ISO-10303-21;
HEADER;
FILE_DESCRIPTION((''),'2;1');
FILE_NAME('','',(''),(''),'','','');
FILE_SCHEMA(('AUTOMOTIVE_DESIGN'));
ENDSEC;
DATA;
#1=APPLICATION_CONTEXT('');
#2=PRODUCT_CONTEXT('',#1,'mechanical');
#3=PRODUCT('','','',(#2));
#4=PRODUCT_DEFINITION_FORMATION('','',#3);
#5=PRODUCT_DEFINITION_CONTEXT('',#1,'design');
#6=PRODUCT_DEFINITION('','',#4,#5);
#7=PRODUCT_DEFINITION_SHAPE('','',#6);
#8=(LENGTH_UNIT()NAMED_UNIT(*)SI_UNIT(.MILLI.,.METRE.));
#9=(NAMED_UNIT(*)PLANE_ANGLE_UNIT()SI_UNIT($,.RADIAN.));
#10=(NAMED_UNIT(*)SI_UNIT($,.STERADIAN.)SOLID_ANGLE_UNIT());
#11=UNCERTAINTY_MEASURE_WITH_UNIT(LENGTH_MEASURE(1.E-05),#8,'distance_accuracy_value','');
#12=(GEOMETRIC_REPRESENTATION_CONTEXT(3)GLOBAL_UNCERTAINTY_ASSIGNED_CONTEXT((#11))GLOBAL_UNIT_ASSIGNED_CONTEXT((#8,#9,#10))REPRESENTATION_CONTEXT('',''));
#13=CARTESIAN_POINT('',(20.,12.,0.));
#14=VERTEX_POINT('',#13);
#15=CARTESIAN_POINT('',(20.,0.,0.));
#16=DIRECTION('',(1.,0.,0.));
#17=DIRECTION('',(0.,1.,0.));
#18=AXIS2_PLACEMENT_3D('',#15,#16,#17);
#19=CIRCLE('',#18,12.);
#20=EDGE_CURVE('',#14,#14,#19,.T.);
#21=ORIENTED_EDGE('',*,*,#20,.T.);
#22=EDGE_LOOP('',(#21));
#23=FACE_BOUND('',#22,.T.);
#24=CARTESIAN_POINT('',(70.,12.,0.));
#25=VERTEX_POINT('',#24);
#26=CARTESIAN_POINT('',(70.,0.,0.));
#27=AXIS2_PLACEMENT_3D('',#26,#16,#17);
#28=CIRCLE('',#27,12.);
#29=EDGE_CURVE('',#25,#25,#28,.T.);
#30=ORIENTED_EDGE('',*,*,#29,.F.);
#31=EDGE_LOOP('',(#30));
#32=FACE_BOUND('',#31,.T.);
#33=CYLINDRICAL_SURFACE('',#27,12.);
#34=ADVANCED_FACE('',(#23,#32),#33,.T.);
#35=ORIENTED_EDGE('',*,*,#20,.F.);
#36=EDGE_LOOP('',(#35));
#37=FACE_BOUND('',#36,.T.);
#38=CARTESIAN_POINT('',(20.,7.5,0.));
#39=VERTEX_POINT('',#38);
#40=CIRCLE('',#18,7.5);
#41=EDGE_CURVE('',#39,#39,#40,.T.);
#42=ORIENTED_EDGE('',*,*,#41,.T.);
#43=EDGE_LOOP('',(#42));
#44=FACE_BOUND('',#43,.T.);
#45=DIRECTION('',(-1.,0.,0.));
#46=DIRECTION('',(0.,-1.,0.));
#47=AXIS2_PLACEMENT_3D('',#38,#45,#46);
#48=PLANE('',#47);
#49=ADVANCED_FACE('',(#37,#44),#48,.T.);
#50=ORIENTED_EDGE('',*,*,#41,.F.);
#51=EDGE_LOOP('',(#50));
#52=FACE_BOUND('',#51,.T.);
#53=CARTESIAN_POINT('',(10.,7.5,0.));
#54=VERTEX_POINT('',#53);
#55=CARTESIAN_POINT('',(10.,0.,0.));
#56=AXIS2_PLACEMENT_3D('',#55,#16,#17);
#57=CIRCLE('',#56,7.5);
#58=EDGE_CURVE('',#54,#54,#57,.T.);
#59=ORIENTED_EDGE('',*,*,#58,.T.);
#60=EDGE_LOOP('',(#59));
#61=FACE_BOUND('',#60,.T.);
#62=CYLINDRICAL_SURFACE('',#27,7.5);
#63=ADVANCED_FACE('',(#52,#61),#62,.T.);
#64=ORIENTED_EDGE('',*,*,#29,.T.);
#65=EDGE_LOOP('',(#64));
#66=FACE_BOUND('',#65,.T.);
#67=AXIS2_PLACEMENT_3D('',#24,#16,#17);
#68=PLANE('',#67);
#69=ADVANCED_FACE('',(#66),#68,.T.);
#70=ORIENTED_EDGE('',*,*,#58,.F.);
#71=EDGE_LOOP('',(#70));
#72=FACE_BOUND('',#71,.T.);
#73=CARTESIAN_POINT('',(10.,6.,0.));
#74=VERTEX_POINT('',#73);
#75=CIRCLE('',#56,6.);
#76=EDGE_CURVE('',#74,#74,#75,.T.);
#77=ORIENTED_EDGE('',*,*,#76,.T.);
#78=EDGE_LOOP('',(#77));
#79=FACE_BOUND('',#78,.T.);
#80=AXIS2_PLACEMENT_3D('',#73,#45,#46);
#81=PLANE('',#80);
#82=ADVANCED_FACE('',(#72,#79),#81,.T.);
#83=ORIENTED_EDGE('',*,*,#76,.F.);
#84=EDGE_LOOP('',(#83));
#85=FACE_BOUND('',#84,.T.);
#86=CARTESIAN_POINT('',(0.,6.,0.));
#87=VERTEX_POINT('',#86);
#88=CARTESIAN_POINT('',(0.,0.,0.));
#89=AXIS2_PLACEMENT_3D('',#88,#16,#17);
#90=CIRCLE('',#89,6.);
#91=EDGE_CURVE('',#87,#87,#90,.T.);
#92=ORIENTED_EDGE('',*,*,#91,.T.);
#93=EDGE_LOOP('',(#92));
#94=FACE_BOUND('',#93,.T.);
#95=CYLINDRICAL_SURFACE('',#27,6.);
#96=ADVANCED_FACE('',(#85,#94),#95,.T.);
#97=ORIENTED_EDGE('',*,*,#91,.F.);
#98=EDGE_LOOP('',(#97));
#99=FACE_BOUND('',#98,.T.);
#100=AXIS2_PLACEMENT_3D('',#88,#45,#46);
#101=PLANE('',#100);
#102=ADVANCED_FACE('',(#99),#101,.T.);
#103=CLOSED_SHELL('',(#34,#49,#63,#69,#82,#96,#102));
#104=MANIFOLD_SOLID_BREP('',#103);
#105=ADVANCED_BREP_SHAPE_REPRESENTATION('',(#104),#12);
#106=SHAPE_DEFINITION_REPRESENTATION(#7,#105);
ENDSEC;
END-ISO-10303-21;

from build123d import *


with BuildPart() as part:
    # Sketch1 → Revolve1 (revolve)
    with BuildSketch(Plane.XY):
        Polygon((0, 0), (0, 6), (10, 6), (10, 7.5), (20, 7.5), (20, 12), (70, 12), (70, 0), align=None)
    revolve(axis=Axis((70, 0, 0), (-1, 0, 0)))


solid = part.part
